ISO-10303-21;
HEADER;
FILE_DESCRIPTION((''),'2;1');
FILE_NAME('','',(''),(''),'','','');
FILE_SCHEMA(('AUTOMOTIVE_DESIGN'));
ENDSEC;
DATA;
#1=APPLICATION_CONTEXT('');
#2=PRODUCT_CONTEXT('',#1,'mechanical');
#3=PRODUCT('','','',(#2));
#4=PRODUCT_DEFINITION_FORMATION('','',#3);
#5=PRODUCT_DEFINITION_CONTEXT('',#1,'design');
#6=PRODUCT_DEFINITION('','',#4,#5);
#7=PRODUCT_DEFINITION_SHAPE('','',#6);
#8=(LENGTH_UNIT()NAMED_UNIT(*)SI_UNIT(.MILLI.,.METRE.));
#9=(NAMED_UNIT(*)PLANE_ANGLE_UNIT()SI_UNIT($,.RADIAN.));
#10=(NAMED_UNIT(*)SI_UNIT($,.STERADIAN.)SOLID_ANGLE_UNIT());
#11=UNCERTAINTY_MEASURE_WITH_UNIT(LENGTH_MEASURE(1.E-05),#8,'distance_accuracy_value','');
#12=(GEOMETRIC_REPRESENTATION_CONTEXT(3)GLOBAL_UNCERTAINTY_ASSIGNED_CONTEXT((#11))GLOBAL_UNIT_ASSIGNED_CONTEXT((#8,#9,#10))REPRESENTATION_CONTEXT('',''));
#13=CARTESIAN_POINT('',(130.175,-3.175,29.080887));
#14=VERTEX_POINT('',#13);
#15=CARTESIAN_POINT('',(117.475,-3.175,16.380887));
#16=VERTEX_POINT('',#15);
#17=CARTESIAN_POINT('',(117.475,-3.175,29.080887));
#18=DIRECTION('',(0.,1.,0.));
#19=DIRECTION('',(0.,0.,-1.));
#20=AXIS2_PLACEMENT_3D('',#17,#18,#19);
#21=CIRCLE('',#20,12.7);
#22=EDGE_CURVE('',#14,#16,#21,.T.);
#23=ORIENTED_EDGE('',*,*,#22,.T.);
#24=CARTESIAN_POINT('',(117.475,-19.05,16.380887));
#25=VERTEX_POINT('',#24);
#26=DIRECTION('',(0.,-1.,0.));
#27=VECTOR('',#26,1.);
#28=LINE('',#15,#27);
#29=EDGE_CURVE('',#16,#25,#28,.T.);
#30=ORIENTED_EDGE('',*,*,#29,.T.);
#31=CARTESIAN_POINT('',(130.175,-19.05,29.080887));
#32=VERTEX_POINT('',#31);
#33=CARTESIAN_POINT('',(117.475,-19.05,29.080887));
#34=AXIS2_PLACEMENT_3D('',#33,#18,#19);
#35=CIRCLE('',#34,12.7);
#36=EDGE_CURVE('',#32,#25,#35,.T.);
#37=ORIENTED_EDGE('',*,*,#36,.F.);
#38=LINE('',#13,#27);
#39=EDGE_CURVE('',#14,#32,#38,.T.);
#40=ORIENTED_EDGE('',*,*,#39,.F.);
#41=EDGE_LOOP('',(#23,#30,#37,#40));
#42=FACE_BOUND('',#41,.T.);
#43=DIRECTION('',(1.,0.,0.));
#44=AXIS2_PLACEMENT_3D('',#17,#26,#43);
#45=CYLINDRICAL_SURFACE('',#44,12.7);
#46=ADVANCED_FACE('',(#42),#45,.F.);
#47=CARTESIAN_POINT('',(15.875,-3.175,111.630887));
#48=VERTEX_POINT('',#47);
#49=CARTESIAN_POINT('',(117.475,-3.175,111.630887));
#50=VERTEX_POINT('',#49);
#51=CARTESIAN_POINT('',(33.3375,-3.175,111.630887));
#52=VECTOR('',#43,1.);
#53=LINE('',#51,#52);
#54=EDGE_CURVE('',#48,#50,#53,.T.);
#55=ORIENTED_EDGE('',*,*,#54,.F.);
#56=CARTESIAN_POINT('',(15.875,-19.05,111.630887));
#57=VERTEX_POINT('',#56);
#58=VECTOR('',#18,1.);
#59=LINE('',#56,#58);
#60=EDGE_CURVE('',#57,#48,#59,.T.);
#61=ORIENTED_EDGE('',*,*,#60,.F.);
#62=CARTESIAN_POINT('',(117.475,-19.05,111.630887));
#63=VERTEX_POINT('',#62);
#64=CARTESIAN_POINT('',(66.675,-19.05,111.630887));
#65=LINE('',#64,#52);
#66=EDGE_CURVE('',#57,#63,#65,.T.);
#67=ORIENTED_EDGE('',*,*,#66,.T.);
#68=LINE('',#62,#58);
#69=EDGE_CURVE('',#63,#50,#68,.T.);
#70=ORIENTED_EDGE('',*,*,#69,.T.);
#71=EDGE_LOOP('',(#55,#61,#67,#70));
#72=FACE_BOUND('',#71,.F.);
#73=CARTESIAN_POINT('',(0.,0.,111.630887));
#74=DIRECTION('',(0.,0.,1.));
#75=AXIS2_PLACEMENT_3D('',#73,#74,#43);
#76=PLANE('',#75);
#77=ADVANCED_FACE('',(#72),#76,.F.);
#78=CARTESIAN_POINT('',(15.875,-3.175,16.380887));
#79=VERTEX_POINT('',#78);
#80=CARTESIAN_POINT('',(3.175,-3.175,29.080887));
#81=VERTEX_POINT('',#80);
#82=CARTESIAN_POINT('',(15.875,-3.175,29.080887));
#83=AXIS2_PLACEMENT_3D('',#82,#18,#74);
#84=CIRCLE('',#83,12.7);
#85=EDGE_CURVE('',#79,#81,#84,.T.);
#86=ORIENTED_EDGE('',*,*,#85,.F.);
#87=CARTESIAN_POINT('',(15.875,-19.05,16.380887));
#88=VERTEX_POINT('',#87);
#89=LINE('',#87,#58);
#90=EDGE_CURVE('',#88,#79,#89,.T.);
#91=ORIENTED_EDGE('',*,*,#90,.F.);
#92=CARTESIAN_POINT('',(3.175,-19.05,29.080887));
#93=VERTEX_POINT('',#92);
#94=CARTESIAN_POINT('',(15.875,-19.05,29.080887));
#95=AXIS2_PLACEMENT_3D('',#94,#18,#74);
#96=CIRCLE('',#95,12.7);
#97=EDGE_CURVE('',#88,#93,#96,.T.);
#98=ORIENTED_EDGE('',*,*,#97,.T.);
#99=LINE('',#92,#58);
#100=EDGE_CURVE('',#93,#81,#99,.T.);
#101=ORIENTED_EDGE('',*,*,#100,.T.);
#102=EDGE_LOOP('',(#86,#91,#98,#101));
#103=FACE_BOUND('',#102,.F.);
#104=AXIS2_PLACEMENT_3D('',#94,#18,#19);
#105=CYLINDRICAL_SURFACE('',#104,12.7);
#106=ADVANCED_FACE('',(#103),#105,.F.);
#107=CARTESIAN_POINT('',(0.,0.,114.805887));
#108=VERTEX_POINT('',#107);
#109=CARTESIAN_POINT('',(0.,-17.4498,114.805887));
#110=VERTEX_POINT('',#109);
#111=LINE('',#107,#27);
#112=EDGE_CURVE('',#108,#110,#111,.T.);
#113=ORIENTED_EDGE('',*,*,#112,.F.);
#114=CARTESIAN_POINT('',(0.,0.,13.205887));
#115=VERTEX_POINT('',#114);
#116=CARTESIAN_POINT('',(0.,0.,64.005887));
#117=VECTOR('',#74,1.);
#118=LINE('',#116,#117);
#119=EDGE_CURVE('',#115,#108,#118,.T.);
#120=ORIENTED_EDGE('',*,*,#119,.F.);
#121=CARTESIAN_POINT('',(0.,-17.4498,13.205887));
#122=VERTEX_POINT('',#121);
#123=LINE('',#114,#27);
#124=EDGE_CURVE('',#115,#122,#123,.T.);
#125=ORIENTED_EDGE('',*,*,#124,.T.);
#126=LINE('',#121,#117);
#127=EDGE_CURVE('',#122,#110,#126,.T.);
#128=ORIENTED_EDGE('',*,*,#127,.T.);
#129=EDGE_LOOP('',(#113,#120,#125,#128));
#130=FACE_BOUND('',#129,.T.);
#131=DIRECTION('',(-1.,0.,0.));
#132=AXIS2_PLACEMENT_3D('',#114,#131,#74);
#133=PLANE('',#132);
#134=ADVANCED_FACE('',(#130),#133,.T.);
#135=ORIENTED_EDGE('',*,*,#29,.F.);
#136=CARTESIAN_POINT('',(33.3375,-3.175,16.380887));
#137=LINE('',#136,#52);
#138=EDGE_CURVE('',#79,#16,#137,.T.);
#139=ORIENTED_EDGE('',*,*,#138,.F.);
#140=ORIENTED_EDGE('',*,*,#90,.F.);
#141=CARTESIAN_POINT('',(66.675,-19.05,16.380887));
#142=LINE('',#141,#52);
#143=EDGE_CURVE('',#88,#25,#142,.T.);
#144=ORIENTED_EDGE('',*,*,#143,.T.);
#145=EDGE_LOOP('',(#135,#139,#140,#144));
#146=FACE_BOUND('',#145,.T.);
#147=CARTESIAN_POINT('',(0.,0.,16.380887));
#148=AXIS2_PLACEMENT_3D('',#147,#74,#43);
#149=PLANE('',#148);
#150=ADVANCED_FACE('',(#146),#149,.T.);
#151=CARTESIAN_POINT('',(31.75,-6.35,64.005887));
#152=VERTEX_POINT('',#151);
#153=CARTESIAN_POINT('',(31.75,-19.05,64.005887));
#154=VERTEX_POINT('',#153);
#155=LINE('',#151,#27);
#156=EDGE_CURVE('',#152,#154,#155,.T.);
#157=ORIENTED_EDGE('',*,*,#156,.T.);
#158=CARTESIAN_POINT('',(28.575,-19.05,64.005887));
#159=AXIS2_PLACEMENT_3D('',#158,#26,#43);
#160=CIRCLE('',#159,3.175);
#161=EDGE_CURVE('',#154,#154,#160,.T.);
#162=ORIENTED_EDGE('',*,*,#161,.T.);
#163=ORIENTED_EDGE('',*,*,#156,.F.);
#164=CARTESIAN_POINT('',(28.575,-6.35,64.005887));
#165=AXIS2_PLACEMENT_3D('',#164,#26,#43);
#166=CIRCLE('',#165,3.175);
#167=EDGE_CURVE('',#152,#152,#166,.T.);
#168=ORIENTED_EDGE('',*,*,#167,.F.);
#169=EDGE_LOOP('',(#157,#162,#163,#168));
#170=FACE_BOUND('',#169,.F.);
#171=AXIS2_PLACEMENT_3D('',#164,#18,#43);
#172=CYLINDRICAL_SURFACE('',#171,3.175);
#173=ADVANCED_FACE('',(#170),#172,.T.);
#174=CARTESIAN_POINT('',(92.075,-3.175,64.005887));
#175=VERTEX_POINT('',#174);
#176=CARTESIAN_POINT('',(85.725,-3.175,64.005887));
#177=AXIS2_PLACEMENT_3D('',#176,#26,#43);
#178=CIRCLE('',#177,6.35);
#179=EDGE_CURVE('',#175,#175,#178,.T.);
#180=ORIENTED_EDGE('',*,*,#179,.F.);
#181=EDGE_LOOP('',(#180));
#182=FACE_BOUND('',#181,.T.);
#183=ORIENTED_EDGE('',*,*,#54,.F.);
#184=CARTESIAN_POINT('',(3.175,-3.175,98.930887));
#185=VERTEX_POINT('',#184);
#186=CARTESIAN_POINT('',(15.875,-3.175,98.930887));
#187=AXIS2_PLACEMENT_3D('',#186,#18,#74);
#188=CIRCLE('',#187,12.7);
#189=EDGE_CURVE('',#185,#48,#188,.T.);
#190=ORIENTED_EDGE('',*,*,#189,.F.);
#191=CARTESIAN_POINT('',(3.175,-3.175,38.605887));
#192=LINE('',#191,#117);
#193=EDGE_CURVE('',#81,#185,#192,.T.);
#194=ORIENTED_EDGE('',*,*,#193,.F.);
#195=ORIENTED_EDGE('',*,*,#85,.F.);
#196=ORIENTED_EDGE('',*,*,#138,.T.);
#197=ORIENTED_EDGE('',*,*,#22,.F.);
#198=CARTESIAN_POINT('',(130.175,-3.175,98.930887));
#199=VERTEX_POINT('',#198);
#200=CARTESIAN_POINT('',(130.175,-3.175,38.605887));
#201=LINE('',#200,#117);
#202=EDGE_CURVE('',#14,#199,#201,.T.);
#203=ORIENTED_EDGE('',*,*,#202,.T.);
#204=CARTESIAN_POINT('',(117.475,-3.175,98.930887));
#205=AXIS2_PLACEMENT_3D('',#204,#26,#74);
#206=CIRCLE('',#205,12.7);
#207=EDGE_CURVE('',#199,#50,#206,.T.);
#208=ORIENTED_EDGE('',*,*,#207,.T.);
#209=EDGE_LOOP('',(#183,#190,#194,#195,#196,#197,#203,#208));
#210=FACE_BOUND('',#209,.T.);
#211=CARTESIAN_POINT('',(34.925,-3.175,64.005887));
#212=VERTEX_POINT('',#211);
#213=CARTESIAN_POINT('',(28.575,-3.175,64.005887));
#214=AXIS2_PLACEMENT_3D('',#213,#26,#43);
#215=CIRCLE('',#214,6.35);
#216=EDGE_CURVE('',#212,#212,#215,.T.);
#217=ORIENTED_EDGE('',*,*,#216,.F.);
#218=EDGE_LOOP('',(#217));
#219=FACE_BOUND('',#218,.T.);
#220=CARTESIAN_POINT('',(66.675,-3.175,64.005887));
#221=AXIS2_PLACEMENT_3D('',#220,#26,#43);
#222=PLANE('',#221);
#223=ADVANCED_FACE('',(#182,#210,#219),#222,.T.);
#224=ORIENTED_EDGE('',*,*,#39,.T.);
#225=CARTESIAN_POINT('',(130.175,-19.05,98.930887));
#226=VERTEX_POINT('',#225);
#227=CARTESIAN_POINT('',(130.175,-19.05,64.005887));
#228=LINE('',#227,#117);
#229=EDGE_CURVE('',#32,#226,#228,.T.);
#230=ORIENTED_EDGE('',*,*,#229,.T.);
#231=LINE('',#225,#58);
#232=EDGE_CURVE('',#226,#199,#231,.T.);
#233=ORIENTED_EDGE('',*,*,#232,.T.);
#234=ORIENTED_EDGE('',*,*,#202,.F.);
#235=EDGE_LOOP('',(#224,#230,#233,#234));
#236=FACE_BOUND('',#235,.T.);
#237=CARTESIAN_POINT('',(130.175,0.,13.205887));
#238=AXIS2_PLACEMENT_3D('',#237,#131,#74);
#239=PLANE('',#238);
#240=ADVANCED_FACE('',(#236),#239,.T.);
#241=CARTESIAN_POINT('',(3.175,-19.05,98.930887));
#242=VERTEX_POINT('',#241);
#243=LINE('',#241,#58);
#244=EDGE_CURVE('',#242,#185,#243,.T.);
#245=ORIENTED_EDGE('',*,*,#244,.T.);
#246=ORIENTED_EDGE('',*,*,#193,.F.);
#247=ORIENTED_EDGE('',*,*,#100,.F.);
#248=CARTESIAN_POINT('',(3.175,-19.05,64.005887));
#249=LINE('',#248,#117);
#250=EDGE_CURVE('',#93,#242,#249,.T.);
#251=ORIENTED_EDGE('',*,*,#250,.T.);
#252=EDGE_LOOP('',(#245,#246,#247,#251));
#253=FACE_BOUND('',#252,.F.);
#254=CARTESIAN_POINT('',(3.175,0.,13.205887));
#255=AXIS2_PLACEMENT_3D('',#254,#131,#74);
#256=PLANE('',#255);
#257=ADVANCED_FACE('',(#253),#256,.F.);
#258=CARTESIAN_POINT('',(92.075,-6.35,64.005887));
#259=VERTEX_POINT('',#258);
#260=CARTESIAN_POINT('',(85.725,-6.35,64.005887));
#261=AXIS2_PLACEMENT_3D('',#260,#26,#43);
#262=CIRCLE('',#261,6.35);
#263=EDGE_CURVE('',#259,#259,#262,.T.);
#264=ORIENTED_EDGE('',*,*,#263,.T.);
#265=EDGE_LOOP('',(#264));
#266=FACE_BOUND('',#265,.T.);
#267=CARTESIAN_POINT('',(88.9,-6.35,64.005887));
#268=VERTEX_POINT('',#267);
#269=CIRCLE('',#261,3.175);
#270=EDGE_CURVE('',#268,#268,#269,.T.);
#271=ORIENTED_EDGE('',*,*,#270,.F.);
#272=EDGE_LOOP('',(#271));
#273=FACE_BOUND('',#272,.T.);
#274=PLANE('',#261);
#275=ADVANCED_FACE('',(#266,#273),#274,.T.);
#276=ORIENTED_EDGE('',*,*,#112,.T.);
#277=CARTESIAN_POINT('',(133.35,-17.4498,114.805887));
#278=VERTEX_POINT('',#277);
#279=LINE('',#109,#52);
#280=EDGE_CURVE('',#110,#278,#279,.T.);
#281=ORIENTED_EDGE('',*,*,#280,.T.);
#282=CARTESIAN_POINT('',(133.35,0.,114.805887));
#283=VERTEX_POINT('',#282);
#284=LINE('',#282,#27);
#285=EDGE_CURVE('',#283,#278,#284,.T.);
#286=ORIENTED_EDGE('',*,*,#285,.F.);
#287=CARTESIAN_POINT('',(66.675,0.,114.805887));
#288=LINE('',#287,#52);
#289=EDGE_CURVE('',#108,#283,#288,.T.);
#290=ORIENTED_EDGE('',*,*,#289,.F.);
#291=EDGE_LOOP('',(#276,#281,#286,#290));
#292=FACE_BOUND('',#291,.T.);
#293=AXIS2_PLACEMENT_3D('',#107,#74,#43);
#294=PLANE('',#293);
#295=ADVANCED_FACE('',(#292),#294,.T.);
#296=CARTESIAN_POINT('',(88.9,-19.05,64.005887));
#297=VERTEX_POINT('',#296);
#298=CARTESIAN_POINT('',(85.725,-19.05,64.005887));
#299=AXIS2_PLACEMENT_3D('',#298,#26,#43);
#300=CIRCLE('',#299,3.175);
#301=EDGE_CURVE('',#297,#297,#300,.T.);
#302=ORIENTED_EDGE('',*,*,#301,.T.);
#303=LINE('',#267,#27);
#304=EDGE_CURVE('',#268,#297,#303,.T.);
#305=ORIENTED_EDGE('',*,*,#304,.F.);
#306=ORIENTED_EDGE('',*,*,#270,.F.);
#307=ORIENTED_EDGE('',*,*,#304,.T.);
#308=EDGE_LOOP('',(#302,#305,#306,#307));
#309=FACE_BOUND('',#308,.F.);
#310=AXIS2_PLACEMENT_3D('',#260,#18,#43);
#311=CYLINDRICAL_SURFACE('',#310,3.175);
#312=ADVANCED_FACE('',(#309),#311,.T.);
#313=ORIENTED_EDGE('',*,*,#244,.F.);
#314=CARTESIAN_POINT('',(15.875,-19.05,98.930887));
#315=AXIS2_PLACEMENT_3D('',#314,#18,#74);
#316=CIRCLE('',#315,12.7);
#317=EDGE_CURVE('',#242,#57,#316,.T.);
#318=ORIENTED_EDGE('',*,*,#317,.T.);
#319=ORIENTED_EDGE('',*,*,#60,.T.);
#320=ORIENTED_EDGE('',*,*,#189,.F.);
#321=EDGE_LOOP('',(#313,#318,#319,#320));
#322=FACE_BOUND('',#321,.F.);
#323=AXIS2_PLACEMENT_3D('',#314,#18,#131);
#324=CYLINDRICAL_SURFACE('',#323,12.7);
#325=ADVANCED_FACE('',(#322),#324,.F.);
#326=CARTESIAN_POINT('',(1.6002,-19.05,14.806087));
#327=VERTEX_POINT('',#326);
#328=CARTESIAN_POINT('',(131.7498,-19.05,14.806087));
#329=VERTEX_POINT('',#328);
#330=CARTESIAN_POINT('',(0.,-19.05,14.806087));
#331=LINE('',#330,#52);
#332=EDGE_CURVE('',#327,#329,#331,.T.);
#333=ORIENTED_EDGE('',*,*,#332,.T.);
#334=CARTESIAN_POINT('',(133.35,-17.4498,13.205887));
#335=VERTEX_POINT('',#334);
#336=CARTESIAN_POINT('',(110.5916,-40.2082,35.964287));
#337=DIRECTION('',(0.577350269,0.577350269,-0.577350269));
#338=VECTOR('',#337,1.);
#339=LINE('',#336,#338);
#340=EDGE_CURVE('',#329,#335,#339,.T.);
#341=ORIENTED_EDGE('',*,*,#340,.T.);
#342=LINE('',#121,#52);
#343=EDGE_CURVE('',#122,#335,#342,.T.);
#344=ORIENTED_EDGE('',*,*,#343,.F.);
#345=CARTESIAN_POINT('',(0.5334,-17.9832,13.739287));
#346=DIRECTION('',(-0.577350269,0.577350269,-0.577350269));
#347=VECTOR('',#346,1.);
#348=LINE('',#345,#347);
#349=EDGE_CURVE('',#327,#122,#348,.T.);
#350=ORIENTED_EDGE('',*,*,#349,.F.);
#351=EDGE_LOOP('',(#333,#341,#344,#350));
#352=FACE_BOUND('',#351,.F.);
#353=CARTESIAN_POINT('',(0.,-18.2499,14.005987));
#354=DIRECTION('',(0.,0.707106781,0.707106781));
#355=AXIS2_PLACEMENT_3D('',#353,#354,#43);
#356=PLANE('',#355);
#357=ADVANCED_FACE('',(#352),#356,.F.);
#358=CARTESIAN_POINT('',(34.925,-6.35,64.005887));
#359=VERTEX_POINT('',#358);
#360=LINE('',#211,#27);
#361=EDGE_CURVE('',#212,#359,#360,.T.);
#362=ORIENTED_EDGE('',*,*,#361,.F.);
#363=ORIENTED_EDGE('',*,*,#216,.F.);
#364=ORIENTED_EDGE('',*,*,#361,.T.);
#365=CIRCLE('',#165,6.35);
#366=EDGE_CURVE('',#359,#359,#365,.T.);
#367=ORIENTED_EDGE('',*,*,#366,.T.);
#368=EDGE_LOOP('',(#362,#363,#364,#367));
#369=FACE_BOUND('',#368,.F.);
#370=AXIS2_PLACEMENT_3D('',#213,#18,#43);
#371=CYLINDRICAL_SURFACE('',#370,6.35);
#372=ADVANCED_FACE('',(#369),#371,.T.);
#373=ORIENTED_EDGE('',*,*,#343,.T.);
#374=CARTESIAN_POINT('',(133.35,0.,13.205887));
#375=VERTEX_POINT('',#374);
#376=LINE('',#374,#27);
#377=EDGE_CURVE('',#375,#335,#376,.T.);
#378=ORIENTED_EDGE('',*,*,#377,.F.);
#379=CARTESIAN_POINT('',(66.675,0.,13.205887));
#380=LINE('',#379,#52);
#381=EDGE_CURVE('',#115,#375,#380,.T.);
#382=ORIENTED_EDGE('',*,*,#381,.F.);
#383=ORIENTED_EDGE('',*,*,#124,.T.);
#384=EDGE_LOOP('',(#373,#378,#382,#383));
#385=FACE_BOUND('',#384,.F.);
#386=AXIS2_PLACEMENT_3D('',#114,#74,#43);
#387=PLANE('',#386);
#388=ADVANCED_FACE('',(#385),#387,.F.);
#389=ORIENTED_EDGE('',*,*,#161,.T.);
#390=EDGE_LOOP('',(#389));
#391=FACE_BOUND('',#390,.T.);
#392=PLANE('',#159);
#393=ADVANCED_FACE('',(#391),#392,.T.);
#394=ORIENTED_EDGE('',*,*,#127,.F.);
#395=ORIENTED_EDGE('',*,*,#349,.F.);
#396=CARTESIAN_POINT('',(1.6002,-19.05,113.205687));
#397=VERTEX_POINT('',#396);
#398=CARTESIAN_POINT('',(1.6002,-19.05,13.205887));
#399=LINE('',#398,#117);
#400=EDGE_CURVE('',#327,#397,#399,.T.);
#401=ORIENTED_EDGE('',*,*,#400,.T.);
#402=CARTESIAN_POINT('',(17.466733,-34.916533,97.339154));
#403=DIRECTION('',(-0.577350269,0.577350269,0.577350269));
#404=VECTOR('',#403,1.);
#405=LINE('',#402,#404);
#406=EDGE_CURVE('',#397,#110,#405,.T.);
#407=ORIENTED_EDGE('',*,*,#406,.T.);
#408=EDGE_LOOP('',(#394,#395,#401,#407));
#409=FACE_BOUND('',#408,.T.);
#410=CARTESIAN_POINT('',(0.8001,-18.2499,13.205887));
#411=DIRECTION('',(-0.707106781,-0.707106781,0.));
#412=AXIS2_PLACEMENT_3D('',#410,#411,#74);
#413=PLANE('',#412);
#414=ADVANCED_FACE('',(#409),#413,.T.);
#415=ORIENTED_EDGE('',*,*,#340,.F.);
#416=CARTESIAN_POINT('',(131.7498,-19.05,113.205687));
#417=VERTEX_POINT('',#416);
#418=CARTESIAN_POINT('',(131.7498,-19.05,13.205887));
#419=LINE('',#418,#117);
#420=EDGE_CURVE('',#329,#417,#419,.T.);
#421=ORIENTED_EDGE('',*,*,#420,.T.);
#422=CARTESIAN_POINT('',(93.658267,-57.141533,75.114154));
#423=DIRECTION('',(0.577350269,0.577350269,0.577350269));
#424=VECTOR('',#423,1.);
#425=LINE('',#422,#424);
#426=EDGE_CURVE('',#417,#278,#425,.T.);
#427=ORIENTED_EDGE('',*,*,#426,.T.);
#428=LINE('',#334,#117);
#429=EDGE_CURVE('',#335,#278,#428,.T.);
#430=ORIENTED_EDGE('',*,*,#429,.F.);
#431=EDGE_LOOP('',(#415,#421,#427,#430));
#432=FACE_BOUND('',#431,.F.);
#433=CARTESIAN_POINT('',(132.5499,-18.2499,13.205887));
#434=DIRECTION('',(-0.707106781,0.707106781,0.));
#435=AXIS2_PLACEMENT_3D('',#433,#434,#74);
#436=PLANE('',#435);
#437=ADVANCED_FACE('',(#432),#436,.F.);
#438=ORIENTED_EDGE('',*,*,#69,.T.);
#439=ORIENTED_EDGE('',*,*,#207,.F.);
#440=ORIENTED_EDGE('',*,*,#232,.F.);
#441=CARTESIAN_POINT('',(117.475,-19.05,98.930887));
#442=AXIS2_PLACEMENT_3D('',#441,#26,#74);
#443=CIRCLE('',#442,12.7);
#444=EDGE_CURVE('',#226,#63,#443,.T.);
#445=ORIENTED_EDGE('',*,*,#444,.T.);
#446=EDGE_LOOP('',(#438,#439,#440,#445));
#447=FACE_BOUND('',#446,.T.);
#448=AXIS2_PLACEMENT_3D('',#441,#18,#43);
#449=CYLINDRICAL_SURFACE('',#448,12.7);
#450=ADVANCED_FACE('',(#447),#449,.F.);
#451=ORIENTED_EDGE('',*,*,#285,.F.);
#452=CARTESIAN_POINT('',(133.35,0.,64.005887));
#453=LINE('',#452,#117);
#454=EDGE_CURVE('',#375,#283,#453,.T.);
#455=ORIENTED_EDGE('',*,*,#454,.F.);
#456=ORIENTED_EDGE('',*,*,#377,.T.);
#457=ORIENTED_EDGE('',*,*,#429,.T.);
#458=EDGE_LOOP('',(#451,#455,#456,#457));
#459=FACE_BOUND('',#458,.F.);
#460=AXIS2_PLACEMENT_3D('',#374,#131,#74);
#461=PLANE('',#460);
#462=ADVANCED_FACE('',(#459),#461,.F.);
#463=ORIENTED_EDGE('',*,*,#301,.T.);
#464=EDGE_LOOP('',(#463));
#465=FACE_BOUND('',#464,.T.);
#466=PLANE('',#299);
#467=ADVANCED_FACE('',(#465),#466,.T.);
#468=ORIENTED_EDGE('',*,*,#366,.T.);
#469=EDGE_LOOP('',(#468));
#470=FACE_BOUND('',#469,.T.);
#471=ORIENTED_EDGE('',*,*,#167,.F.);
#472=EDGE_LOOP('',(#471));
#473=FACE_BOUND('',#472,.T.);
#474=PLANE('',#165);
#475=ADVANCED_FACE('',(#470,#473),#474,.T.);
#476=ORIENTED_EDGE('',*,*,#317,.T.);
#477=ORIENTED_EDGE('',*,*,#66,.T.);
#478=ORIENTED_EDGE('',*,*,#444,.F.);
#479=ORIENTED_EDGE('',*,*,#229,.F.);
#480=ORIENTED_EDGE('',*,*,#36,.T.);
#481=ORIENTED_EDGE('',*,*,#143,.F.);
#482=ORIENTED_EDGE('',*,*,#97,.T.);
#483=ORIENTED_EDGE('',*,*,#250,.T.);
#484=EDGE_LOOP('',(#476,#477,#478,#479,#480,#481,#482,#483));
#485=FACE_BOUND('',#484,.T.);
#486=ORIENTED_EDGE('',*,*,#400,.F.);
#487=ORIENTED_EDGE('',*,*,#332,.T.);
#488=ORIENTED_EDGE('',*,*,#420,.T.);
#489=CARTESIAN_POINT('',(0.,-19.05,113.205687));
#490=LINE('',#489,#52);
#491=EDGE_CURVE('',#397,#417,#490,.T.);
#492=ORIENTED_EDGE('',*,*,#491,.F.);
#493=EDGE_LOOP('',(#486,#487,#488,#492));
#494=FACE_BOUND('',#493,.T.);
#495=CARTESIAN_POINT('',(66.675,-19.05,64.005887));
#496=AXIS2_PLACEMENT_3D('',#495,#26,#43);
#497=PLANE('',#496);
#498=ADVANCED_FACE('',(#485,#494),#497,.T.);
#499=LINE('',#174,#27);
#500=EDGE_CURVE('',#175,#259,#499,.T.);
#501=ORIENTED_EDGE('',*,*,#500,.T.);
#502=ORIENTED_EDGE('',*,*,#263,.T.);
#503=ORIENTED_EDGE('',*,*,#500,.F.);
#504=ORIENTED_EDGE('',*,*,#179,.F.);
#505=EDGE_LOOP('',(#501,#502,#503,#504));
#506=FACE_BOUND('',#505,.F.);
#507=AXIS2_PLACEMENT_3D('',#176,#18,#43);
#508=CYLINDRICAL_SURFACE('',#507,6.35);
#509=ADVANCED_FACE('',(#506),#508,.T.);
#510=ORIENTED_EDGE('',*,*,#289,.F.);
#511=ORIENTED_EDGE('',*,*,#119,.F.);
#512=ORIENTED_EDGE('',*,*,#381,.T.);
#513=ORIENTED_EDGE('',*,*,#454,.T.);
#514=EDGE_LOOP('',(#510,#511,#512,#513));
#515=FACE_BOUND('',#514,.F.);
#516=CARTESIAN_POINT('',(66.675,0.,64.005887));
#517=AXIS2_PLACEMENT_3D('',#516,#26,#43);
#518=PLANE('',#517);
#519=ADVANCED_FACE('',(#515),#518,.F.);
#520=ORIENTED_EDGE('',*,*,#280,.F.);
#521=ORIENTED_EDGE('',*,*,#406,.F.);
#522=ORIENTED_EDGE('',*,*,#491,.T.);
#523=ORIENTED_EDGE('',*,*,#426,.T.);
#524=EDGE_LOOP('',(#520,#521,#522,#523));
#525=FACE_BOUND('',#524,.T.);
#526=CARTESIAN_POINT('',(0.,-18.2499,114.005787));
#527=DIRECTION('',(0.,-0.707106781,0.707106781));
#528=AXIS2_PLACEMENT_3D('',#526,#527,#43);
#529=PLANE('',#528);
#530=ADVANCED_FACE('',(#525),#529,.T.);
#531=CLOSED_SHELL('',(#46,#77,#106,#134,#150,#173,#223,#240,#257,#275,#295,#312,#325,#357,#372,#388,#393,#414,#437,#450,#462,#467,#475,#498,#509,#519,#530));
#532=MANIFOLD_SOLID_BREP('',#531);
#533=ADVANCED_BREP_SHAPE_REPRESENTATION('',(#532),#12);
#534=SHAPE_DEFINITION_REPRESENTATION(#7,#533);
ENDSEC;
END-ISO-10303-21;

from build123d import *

# Parameters (mm, degrees)
F0_W     = 133.35
F0_H     = 101.6
F1_DEPTH = 19.05
F2_T     = -3.175
F3_R     = 6.35
F4_DEPTH = 3.175
F5_R     = 3.175
F6_DEPTH = 12.7
F7_R     = 3.175
F8_DEPTH = 12.7
F9_R     = 12.7
F10_SIZE = 1.6002


with BuildPart() as f1:
    # F0 (on Front) → F1 (new body)
    with BuildSketch(Plane.XZ):
        with Locations((66.675, 64.0058868719)):
            Rectangle(F0_W, F0_H)
    extrude(amount=F1_DEPTH)

    # F2
    f2_openings = [f1.faces().sort_by_distance(p)[0] for p in [
        (66.675, -19.05, 64.005887),
    ]]
    offset(amount=F2_T, openings=f2_openings)

    # F3 (on face) → F4 (join)
    with BuildSketch(Plane.XZ.offset(3.175)):
        with Locations((28.575, 64.0058868719)):
            Circle(F3_R)
        with Locations((85.725, 64.0058868719)):
            Circle(F3_R)
    extrude(amount=F4_DEPTH)

    # F5 (on face) → F6 (join)
    with BuildSketch(Plane.XZ.offset(6.35)):
        with Locations((28.575, 64.0058868719)):
            Circle(F5_R)
    extrude(amount=F6_DEPTH)

    # F7 (on face) → F8 (join)
    with BuildSketch(Plane.XZ.offset(6.35)):
        with Locations((85.725, 64.0058868719)):
            Circle(F7_R)
    extrude(amount=F8_DEPTH)

    # F9
    f9_edges = [f1.edges().sort_by_distance(p)[0] for p in [
        (3.175, -11.1125, 111.630887),
        (3.175, -11.1125, 16.380887),
        (130.175, -11.1125, 111.630887),
        (130.175, -11.1125, 16.380887),
    ]]
    fillet(f9_edges, radius=F9_R)

    # F10
    f10_edges = [f1.edges().sort_by_distance(p)[0] for p in [
        (66.675, -19.05, 114.805887),
        (66.675, -19.05, 13.205887),
        (133.35, -19.05, 64.005887),
        (0, -19.05, 64.005887),
    ]]
    chamfer(f10_edges, length=F10_SIZE)


solid = f1.part
